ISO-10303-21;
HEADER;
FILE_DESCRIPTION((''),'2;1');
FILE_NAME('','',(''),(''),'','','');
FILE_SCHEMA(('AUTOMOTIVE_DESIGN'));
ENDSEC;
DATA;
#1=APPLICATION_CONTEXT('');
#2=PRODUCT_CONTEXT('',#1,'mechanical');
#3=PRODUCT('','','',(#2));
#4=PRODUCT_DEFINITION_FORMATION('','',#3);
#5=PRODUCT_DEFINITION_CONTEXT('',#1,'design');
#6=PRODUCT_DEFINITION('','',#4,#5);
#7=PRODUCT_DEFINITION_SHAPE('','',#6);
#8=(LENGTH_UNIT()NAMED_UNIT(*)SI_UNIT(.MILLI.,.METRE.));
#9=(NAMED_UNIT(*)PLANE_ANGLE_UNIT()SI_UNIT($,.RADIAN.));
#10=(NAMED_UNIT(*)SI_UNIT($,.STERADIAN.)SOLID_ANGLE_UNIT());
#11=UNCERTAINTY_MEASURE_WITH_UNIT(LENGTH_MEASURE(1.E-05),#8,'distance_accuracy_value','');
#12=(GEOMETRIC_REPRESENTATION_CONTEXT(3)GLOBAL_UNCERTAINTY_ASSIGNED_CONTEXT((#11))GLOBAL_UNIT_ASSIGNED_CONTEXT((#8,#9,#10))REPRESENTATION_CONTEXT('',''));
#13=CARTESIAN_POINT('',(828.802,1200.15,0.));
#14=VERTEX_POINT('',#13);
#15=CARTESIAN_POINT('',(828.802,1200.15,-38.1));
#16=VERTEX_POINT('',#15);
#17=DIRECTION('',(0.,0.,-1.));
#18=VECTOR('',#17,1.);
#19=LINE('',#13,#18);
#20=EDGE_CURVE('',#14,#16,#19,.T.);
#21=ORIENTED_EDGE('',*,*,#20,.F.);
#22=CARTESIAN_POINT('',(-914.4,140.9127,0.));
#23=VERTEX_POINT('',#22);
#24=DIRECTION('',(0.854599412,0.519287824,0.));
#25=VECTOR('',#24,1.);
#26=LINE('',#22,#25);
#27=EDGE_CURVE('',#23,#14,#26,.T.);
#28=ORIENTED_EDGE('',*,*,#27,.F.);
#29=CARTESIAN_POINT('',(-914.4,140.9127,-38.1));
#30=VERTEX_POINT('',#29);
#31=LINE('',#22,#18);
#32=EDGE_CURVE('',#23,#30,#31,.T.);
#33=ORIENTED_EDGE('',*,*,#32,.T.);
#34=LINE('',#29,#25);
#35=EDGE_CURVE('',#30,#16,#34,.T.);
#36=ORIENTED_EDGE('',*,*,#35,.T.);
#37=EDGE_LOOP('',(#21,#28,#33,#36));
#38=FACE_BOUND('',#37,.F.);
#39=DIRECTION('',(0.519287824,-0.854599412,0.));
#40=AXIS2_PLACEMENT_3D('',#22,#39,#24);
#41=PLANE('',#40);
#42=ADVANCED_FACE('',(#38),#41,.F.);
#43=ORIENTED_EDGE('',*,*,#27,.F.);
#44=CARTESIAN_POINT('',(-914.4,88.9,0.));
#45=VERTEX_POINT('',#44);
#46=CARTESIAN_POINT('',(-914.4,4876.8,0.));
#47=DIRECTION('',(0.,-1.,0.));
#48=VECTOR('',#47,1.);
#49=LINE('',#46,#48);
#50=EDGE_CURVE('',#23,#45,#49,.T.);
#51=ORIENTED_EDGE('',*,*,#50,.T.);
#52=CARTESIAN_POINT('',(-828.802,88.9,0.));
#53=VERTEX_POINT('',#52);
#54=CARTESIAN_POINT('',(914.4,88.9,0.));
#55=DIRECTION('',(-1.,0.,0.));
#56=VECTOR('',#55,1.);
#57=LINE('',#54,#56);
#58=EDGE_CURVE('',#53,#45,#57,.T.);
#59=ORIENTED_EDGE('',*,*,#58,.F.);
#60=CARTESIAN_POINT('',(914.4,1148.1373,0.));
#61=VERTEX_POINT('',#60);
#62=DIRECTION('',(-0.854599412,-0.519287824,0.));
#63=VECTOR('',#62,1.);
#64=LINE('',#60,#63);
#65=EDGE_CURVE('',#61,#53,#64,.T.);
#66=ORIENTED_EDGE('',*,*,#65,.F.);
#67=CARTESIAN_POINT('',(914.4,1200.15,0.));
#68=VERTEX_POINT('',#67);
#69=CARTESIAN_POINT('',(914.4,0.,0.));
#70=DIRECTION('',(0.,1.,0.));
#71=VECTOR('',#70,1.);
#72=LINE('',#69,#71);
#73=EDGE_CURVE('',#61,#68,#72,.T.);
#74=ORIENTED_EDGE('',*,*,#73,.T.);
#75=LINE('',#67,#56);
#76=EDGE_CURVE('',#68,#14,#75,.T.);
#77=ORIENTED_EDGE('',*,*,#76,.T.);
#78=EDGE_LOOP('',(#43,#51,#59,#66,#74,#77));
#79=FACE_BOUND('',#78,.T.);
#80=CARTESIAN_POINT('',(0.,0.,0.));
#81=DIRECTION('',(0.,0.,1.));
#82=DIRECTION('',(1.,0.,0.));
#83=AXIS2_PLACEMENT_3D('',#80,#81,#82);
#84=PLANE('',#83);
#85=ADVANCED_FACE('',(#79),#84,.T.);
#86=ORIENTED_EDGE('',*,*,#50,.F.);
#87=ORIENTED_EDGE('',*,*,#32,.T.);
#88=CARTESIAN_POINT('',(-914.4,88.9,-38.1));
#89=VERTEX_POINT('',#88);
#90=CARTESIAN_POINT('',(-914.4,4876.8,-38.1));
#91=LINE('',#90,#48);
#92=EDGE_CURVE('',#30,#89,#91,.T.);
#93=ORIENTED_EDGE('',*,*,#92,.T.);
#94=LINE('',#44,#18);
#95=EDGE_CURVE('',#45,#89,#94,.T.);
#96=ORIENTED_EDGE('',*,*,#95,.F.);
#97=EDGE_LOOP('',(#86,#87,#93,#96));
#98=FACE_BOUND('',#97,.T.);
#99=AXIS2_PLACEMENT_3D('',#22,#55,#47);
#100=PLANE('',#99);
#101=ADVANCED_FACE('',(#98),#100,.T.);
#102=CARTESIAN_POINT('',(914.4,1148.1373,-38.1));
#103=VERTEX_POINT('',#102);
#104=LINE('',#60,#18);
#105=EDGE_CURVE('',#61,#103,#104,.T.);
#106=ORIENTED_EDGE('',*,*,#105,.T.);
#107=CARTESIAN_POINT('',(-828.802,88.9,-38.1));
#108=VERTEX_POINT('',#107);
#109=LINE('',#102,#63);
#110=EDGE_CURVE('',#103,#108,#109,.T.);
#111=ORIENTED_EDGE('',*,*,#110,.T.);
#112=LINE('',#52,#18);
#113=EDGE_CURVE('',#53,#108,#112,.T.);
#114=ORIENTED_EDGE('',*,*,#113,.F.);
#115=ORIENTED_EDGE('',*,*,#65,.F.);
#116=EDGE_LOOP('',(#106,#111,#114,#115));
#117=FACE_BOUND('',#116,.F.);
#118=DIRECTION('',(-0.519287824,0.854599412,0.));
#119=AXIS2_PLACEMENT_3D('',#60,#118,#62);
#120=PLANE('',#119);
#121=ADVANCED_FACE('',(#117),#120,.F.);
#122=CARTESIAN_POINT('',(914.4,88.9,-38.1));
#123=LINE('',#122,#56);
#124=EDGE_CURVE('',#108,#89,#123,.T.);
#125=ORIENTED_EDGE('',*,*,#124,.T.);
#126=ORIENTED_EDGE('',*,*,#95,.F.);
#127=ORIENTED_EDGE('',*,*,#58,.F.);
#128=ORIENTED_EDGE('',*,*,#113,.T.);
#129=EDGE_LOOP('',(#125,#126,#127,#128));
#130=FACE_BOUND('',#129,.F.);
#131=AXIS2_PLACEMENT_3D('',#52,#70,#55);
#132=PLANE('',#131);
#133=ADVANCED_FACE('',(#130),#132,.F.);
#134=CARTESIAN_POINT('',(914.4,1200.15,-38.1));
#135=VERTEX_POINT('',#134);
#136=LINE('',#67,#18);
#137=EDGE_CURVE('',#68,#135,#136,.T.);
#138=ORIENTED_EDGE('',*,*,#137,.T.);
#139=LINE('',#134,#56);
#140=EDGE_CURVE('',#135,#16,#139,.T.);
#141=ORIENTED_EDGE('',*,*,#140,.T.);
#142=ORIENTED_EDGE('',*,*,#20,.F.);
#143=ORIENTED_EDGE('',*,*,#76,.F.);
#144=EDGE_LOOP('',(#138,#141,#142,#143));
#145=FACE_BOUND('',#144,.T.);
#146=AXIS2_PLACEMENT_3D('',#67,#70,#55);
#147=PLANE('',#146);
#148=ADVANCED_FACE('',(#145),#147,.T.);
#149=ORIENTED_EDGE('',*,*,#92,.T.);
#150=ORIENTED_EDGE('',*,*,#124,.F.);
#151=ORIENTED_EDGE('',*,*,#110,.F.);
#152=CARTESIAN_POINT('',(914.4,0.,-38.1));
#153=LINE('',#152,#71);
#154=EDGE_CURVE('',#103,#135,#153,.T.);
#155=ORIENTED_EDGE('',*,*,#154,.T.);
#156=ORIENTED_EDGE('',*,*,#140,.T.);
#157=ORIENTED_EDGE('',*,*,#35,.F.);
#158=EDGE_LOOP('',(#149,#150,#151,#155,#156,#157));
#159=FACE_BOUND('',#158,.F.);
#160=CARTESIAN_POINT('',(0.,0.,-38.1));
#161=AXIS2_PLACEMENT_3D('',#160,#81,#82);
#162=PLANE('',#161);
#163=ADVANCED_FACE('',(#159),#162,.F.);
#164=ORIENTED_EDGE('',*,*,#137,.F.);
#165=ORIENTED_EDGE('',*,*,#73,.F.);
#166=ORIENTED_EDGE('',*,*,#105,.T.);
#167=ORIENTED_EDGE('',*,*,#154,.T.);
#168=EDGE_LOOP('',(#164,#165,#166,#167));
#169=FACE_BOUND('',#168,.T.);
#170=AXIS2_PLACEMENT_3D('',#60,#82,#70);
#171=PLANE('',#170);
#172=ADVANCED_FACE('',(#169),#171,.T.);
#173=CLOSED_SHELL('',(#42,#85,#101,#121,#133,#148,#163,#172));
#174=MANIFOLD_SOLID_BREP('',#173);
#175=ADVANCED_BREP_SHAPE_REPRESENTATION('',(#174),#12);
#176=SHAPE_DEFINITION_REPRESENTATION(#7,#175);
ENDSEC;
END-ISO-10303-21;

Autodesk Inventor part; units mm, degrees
ref_plane "YZ Plane" through (0, 0, 0) normal (1, 0, 0) x (0, 1, 0)
ref_plane "XZ Plane" through (0, 0, 0) normal (0, 1, 0) x (-1, 0, 0)
ref_plane "XY Plane" through (0, 0, 0) normal (0, 0, 1) x (1, 0, 0)
sketch "Sketch1" plane through (0, 0, 0) normal (0, 0, 1) x (1, 0, 0)
  line L0 (914.4, 1200.15) -> (-914.4, 1200.15) projected
  line L1 (914.4, 0) -> (914.4, 4876.8) projected
  line L2 (-914.4, 4876.8) -> (-914.4, 0) projected
  line L3 (914.4, 88.9) -> (-914.4, 88.9) projected
  line L4 (914.4, 1148.1373) -> (-828.802, 88.9)
  line L5 (-914.4, 140.9127) -> (828.802, 1200.15)
  line L6 (-828.802, 88.9) -> (-914.4, 88.9)
  line L7 (-914.4, 88.9) -> (-914.4, 140.9127)
  line L8 (914.4, 1148.1373) -> (914.4, 1200.15)
  line L9 (914.4, 1200.15) -> (828.802, 1200.15)
  point P0 (0, 0)
  point P1 (42.799, 618.5187)
extrude "Extrusion1" add sketch "Sketch1" against normal blind 38.1 contours L1 L4 L3 L2 L5 L0
properties part number "side1"
